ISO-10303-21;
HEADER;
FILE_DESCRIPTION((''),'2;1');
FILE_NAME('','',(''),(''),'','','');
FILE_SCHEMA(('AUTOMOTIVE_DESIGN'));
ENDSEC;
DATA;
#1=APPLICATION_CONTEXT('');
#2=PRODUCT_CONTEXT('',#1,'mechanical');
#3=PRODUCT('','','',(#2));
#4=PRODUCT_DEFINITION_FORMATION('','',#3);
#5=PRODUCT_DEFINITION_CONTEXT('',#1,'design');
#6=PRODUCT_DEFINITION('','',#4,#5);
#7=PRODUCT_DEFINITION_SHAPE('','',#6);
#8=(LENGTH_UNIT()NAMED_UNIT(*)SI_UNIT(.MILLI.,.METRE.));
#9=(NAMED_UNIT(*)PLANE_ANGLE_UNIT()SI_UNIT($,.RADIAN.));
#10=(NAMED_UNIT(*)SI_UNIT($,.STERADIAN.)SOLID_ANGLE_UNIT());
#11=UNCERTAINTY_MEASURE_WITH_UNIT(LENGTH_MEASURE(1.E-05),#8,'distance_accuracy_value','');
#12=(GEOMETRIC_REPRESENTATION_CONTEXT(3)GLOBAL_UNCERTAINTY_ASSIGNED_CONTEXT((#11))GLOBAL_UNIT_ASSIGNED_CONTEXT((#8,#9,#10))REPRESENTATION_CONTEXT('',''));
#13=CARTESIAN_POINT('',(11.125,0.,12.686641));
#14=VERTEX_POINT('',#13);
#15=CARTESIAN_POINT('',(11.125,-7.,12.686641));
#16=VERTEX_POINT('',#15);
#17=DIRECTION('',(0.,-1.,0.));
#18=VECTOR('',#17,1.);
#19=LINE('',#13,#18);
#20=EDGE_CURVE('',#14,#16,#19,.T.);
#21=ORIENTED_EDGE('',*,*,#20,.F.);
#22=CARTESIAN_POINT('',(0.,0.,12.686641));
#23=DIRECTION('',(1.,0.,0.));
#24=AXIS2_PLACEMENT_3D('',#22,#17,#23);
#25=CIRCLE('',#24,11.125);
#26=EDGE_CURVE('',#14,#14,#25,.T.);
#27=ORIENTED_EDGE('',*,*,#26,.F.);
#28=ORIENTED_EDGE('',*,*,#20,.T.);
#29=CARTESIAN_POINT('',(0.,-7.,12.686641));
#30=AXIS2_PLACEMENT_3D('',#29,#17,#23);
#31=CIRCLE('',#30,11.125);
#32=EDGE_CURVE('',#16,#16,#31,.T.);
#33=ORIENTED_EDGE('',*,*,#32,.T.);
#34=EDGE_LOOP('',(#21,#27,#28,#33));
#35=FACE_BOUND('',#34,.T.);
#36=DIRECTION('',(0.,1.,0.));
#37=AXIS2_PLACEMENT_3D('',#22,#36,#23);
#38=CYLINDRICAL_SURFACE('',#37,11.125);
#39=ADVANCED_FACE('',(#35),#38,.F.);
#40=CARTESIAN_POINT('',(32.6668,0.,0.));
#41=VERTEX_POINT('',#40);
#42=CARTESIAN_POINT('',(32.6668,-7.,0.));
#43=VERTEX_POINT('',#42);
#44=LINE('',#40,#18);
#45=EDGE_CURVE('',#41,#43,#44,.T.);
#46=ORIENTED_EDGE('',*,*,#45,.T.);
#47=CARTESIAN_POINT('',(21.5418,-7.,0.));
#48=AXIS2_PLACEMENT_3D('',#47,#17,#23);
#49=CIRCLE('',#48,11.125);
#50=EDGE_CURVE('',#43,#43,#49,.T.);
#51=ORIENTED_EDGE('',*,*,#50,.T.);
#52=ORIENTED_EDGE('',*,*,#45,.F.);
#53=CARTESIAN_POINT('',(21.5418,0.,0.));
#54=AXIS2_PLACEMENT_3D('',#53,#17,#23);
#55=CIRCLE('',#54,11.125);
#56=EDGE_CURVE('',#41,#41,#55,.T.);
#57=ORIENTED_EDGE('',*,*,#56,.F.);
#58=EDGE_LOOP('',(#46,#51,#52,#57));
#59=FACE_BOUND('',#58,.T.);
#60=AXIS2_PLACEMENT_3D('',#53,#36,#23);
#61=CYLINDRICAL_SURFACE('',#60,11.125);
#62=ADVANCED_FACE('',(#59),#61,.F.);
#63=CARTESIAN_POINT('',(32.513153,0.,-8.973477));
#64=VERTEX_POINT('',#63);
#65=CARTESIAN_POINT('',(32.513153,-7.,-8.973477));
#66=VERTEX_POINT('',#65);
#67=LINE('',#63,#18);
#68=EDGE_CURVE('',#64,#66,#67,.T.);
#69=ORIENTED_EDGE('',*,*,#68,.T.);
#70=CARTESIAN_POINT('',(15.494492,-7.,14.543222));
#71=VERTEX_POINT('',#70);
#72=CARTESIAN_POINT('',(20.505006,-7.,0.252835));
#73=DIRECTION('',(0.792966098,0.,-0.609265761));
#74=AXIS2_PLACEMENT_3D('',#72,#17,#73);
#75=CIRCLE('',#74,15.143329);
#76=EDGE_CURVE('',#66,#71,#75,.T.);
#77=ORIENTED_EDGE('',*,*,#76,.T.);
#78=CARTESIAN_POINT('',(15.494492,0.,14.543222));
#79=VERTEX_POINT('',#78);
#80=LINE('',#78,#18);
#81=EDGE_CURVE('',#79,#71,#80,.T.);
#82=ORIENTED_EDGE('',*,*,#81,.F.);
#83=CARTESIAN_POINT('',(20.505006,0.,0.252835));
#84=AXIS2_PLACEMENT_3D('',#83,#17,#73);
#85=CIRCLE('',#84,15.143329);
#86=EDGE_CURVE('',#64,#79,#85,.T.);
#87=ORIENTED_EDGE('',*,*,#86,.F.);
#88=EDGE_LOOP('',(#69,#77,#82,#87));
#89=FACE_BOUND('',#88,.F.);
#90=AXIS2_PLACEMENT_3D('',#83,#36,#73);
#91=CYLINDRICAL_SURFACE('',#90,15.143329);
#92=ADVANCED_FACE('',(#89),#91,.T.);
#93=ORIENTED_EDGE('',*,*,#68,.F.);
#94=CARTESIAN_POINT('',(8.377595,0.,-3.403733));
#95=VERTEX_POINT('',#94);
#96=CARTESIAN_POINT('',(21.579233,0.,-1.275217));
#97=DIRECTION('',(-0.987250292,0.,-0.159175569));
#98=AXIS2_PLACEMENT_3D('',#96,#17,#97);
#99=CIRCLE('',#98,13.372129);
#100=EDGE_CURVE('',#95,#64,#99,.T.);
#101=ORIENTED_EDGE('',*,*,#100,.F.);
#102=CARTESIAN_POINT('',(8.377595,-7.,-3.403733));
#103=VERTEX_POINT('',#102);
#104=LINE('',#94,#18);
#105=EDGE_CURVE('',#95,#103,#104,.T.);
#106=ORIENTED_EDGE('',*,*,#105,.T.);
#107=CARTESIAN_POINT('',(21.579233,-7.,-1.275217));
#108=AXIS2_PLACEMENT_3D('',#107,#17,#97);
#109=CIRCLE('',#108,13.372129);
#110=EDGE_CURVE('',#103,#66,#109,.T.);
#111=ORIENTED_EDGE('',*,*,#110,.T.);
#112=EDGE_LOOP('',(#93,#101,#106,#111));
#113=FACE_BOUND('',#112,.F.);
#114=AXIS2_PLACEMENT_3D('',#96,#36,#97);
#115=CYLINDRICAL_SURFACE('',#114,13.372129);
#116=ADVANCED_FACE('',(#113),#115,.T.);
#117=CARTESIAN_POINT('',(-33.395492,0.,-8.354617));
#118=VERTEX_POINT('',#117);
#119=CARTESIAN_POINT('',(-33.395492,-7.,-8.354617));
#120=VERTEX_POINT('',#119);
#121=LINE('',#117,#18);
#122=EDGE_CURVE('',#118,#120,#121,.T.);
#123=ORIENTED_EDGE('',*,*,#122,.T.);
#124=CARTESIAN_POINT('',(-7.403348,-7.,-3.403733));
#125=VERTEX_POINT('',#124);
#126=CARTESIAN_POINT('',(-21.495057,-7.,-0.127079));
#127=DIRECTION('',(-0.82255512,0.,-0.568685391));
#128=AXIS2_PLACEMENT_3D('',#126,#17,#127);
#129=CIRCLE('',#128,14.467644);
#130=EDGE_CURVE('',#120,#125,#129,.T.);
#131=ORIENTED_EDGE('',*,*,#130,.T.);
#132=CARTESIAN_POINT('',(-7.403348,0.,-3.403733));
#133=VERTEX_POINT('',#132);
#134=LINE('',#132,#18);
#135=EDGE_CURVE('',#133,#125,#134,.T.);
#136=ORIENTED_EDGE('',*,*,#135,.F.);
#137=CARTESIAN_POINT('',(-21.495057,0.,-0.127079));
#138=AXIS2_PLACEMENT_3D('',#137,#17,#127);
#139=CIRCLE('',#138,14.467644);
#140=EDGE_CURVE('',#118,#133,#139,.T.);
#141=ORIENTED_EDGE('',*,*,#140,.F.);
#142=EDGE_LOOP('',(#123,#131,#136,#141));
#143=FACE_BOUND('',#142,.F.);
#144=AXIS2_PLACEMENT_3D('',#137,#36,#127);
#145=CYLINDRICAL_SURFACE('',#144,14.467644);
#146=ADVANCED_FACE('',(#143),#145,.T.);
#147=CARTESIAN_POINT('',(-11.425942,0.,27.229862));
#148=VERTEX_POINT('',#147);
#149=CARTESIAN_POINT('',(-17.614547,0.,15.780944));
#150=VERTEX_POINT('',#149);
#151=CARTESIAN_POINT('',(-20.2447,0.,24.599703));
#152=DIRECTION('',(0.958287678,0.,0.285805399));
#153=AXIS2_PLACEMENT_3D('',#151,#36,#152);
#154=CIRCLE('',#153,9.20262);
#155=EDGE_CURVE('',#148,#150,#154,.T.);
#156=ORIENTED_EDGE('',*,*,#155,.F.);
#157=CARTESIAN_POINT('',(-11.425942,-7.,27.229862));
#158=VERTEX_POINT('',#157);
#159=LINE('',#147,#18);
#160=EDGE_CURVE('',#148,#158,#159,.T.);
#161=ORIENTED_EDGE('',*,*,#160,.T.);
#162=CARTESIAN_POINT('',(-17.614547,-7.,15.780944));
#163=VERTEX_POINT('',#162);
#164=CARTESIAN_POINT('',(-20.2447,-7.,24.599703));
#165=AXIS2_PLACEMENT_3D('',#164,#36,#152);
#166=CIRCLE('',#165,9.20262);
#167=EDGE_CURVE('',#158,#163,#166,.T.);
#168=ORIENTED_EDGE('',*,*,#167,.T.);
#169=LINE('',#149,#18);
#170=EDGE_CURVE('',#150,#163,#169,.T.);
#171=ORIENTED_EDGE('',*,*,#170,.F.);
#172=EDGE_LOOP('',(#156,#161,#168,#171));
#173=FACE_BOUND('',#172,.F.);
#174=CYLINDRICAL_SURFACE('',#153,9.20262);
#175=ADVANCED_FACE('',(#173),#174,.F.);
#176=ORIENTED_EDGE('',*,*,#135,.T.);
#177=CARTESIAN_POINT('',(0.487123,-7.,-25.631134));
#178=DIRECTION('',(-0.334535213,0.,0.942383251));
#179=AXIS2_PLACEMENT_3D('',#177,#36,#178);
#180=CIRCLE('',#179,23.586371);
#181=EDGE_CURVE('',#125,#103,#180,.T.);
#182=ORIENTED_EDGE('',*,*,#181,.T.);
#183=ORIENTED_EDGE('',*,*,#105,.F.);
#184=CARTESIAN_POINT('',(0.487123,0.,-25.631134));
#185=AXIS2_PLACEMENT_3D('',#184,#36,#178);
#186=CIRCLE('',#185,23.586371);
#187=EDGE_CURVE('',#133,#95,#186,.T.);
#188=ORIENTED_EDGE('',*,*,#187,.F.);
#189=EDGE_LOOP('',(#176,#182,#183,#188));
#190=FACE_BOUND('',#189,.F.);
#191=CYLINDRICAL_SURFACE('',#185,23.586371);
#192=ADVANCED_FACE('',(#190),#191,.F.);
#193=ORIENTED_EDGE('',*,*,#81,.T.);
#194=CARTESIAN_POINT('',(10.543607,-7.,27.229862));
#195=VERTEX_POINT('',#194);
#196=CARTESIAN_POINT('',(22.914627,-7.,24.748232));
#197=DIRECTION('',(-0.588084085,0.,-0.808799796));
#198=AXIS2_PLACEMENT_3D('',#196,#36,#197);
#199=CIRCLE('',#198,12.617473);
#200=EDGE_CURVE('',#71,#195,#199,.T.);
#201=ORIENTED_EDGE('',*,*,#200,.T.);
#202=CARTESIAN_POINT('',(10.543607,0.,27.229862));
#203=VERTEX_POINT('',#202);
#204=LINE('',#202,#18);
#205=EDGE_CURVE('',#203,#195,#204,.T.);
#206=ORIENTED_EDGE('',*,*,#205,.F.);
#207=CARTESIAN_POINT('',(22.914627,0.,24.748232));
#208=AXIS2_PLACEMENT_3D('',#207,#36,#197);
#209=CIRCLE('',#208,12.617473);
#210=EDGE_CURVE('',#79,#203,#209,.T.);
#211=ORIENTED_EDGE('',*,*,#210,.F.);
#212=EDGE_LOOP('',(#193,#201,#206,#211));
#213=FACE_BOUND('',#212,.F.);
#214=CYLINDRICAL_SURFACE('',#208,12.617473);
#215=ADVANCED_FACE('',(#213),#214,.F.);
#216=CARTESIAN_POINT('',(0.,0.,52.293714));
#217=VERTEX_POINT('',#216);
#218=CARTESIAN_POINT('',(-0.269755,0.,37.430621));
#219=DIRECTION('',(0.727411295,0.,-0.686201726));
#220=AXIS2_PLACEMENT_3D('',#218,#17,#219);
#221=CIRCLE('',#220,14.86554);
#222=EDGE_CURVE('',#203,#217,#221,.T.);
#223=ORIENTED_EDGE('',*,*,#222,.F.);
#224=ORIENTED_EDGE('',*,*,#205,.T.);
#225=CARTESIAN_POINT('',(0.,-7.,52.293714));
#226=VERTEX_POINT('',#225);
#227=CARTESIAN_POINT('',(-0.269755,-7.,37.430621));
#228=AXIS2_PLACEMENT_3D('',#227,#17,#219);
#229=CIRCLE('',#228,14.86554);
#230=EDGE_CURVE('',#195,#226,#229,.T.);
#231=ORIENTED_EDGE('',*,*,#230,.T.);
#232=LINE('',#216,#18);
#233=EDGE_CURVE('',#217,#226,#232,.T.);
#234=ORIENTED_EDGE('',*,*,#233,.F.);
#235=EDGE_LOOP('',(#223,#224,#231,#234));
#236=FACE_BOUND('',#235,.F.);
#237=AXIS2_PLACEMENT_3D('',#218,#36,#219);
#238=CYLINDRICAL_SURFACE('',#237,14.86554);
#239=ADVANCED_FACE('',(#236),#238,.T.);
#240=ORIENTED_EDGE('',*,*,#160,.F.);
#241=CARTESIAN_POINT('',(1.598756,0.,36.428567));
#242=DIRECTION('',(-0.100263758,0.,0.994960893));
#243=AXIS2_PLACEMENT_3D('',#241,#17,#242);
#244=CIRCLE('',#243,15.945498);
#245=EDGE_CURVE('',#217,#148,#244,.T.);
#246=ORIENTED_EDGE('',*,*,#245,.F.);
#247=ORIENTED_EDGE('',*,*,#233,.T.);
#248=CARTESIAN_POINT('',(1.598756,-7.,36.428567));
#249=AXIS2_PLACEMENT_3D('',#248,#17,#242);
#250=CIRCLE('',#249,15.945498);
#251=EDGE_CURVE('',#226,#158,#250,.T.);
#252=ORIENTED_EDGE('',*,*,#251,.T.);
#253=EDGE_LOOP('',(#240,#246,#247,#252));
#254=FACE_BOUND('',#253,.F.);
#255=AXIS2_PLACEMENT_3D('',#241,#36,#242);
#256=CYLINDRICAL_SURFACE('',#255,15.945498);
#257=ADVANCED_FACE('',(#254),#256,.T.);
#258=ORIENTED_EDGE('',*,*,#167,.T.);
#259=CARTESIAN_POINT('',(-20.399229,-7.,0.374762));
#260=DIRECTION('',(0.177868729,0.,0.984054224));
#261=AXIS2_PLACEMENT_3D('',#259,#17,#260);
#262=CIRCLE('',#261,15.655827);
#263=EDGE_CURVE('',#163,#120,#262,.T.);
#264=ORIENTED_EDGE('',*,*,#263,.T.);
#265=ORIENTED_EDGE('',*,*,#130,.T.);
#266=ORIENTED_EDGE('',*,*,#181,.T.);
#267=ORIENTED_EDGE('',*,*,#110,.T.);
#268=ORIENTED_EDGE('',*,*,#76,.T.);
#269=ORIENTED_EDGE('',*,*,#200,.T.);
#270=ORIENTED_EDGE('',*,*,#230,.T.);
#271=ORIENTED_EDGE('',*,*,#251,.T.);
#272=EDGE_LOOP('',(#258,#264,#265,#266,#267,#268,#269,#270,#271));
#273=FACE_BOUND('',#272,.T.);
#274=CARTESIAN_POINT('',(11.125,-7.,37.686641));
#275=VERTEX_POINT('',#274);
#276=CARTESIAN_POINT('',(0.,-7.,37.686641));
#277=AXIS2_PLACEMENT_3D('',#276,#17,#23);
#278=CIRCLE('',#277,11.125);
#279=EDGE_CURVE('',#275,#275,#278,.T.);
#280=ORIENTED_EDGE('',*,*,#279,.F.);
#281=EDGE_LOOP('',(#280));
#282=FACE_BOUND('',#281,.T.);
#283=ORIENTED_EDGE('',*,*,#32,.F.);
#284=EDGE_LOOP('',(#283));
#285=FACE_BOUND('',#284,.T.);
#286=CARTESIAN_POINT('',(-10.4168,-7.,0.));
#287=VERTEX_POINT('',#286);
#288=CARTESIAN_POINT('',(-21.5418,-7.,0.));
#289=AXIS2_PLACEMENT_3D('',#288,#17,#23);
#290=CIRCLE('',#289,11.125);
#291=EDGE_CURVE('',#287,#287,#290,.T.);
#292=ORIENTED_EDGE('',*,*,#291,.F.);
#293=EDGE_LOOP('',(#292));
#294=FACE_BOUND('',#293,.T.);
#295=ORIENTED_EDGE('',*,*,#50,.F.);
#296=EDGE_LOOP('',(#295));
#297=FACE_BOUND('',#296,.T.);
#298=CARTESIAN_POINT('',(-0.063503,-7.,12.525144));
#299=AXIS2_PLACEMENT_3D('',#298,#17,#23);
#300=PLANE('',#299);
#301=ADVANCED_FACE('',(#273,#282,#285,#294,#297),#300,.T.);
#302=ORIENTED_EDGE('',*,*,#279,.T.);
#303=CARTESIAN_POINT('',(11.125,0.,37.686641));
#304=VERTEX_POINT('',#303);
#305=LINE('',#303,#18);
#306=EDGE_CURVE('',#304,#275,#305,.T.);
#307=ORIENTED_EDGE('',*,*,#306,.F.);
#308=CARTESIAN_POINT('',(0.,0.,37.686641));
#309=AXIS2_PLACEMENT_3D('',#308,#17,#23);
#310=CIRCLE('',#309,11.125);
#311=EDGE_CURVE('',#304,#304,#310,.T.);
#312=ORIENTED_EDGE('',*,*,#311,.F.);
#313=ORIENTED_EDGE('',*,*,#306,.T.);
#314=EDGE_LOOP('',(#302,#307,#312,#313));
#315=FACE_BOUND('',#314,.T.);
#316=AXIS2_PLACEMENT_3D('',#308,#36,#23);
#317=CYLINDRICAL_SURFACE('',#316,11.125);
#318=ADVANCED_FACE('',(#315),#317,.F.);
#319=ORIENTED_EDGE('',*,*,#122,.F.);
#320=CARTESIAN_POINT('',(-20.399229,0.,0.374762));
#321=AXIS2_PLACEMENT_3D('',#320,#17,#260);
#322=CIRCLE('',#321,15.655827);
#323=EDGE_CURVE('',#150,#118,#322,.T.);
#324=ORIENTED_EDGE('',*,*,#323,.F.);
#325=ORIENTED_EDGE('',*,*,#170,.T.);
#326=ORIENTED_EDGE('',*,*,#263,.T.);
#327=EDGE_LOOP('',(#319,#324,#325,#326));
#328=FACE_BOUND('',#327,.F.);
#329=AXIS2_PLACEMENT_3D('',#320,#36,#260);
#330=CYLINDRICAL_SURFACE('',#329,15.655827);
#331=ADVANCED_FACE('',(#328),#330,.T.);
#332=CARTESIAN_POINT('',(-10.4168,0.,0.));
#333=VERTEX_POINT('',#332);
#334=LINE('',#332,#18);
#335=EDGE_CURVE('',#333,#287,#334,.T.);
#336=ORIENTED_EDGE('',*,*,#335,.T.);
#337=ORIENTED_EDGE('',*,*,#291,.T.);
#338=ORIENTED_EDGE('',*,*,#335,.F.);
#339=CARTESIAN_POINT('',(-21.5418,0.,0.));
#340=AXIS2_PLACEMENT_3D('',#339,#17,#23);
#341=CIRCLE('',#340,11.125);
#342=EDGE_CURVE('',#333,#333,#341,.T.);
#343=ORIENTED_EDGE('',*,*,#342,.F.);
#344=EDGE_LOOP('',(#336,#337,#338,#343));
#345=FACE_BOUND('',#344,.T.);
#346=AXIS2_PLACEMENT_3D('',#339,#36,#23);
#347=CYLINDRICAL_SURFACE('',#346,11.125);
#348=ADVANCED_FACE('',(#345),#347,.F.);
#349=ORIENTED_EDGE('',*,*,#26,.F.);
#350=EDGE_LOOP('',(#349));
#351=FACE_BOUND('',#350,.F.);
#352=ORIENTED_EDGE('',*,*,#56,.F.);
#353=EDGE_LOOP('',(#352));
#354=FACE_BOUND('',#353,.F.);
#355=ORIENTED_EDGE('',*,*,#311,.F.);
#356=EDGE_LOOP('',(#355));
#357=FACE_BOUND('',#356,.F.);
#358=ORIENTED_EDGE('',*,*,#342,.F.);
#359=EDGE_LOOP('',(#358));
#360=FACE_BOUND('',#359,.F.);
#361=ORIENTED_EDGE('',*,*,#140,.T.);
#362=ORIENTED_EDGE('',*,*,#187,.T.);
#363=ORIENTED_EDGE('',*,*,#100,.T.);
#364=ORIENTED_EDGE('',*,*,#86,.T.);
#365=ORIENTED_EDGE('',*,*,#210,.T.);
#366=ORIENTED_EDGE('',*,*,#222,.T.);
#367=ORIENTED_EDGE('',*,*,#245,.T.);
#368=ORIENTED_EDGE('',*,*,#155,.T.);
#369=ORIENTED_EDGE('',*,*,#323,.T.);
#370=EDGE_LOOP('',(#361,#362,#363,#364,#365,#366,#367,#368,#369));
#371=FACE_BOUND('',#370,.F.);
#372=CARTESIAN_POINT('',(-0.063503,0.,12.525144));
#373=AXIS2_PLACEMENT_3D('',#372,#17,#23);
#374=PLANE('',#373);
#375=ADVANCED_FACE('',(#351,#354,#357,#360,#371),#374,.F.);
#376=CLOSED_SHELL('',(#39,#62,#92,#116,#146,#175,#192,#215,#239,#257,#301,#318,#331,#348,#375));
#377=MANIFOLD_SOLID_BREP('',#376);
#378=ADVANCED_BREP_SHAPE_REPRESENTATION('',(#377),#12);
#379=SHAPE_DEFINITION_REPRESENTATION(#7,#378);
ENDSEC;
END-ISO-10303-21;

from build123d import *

# Parameters (mm, degrees)
F0_R     = 11.125
F1_DEPTH = 7


with BuildPart() as f1:
    # F0 (on Front) → F1 (new body)
    with BuildSketch(Plane.XZ):
        with BuildLine():
            ThreePointArc((-11.425942, 27.229862), (-12.149095, 20.2237), (-17.614547, 15.780944))
            ThreePointArc((-17.614547, 15.780944), (-33.50268, 8.942403), (-33.395492, -8.354617))
            ThreePointArc((-33.395492, -8.354617), (-18.787986, -14.339204), (-7.403348, -3.403733))
            ThreePointArc((-7.403348, -3.403733), (0.487123, -2.044763), (8.377595, -3.403733))
            ThreePointArc((8.377595, -3.403733), (18.572382, -14.304901), (32.513153, -8.973477))
            ThreePointArc((32.513153, -8.973477), (32.772871, 9.130893), (15.494492, 14.543222))
            ThreePointArc((15.494492, 14.543222), (11.160472, 20.161243), (10.543607, 27.229862))
            ThreePointArc((10.543607, 27.229862), (13.432728, 43.194843), (0, 52.293714))
            ThreePointArc((0, 52.293714), (-12.910225, 43.042824), (-11.425942, 27.229862))
        make_face()
        with Locations((-21.5418, 0)):
            Circle(F0_R, mode=Mode.SUBTRACT)
        with Locations((21.5418, 0)):
            Circle(F0_R, mode=Mode.SUBTRACT)
        with Locations((0, 12.686641)):
            Circle(F0_R, mode=Mode.SUBTRACT)
        with Locations((0, 37.686641)):
            Circle(F0_R, mode=Mode.SUBTRACT)
    extrude(amount=F1_DEPTH)


solid = f1.part
